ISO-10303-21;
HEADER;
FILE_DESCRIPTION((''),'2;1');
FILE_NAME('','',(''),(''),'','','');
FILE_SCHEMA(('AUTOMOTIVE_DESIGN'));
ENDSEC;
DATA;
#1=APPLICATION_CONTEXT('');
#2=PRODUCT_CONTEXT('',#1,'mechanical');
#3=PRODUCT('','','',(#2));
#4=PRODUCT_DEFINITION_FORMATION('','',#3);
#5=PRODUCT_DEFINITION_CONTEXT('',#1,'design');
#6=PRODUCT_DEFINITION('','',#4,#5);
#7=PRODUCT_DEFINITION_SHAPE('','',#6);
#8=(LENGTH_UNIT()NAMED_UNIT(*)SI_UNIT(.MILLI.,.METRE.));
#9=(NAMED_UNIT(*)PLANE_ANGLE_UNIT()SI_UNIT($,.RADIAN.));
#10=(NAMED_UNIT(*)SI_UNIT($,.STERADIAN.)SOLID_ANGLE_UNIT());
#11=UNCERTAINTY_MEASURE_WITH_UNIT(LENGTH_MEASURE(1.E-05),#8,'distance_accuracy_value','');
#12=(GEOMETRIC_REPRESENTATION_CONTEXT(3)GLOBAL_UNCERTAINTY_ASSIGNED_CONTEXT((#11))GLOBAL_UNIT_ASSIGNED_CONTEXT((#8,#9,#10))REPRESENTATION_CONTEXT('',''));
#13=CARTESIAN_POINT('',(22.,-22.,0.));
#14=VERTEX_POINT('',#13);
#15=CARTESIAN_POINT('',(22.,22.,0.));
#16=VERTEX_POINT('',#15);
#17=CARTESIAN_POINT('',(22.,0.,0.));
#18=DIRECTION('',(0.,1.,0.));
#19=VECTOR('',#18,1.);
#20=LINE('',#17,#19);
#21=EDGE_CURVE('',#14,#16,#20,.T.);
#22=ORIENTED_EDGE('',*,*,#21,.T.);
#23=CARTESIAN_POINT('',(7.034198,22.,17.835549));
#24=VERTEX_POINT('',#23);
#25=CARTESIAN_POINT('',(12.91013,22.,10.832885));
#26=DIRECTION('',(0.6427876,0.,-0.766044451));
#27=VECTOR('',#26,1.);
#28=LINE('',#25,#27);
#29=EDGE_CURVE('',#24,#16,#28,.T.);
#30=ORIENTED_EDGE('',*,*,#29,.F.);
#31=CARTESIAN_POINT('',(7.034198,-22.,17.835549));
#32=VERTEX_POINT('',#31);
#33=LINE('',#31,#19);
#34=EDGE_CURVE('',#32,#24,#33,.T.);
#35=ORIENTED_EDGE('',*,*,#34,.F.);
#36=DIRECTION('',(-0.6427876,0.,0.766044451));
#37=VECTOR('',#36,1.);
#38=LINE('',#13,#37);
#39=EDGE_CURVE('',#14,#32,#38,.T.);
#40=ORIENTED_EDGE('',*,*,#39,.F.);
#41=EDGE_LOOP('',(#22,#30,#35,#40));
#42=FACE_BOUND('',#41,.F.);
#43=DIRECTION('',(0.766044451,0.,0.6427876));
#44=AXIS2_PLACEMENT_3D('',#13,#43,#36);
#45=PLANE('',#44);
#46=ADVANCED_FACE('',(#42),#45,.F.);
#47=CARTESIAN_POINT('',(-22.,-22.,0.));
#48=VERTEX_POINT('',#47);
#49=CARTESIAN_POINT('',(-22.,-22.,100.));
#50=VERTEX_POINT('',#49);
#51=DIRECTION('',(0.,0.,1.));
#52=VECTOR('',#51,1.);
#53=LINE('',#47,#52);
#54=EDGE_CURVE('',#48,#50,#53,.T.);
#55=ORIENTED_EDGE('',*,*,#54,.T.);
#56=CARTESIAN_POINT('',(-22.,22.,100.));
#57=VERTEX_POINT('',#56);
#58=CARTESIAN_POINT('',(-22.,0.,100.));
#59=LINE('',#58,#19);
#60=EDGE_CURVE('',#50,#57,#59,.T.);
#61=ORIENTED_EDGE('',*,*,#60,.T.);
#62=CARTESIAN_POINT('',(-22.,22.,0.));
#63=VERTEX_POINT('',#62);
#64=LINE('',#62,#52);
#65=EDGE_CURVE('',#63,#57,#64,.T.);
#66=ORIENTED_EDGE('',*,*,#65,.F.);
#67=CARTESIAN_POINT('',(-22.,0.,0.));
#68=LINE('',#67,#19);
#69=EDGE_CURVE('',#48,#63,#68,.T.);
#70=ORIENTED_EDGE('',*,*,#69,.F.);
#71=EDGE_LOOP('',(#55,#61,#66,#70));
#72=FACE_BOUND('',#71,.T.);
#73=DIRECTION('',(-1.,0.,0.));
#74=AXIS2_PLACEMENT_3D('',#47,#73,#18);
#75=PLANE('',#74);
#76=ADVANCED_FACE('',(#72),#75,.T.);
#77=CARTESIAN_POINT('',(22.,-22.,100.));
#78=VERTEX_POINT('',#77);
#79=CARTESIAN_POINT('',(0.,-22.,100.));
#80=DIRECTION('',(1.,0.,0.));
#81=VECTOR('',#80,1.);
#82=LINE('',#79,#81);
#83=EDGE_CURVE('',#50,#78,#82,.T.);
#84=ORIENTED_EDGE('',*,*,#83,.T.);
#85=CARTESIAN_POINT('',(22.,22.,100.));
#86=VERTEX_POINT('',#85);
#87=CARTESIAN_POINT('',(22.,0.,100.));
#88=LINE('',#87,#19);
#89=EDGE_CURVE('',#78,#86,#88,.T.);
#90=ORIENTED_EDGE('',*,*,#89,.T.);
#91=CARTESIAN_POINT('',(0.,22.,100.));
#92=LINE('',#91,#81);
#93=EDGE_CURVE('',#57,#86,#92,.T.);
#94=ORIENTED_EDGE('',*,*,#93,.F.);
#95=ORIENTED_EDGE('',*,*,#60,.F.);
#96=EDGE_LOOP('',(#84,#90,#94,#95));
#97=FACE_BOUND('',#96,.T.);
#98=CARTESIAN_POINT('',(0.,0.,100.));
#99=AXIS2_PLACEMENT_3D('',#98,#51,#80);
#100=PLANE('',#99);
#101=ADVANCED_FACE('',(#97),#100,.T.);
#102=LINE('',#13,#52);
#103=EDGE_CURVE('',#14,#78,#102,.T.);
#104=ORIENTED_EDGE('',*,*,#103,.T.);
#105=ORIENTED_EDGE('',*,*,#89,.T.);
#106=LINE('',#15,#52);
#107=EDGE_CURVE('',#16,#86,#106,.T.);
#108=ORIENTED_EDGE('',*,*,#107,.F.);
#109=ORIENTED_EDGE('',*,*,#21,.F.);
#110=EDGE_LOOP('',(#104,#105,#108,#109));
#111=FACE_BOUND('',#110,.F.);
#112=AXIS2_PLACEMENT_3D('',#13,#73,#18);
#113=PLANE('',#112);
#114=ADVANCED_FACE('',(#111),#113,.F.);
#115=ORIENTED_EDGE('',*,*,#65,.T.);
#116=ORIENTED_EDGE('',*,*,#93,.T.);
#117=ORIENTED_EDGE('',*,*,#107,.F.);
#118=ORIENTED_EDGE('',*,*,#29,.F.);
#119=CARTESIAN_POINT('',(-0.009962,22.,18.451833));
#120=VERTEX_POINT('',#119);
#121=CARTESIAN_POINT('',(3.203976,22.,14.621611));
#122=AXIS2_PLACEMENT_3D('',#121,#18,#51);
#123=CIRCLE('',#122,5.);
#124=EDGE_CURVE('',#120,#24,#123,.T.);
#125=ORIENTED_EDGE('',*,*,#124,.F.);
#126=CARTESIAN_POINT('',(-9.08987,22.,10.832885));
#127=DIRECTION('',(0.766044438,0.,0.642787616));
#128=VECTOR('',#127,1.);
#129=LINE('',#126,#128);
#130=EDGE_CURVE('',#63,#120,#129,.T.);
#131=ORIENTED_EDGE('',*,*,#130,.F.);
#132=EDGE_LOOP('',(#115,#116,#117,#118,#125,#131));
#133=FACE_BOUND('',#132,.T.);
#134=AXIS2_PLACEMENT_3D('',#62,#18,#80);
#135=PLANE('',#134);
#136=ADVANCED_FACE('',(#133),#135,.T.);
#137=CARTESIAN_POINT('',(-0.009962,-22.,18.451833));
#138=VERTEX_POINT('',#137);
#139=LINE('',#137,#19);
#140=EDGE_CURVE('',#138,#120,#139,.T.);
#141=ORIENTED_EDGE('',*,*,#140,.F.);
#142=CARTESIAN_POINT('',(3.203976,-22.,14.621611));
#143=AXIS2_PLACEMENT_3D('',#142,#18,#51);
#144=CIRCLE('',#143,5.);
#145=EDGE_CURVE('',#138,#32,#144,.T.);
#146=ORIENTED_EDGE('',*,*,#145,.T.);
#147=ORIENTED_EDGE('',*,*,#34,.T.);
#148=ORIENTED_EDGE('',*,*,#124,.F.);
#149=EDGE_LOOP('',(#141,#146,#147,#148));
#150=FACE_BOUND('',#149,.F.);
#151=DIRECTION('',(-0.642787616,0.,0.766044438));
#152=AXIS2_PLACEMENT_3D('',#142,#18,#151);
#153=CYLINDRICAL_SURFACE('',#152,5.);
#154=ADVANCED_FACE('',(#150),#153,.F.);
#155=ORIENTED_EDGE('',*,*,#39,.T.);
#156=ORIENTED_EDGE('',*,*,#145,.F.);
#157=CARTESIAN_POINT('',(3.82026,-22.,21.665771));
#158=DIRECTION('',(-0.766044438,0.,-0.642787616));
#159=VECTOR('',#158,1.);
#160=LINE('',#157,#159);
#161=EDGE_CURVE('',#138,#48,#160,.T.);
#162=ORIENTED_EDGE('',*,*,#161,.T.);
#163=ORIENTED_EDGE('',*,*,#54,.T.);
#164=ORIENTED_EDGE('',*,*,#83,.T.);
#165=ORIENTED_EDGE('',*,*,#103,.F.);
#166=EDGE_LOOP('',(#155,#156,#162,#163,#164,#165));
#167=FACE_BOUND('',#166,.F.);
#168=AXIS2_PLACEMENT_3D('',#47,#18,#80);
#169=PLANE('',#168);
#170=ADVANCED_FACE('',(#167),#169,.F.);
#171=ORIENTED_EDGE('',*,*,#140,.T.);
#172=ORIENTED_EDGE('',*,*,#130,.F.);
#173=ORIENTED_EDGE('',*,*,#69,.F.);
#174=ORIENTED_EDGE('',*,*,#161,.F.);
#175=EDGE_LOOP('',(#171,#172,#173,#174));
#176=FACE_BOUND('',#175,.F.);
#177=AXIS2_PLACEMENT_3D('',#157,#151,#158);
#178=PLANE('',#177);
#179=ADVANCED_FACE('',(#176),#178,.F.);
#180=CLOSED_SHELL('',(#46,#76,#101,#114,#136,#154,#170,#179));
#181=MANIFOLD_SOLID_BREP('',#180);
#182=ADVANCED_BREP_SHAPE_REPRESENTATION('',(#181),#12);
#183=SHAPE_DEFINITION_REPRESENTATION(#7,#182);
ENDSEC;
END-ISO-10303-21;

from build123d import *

# Parameters (mm, degrees)
F0_W     = 44
F0_H     = 44
F1_DEPTH = 100
F3_DEPTH = 44.001
F4_R     = 5


with BuildPart() as f1:
    # F0 (on Top) → F1 (new body)
    with BuildSketch(Plane.XY):
        Rectangle(F0_W, F0_H)
    extrude(amount=F1_DEPTH)

    # F2 (on face) → F3 (cut, through all)
    with BuildSketch(Plane.XZ.offset(22)):
        Polygon((3.82026, 21.665771), (-22, 0), (22, 0), align=None)
    extrude(amount=-F3_DEPTH, mode=Mode.SUBTRACT)

    # F4
    f4_edges = [f1.edges().sort_by_distance(p)[0] for p in [
        (3.82026, 0, 21.665771),
    ]]
    fillet(f4_edges, radius=F4_R)


solid = f1.part
